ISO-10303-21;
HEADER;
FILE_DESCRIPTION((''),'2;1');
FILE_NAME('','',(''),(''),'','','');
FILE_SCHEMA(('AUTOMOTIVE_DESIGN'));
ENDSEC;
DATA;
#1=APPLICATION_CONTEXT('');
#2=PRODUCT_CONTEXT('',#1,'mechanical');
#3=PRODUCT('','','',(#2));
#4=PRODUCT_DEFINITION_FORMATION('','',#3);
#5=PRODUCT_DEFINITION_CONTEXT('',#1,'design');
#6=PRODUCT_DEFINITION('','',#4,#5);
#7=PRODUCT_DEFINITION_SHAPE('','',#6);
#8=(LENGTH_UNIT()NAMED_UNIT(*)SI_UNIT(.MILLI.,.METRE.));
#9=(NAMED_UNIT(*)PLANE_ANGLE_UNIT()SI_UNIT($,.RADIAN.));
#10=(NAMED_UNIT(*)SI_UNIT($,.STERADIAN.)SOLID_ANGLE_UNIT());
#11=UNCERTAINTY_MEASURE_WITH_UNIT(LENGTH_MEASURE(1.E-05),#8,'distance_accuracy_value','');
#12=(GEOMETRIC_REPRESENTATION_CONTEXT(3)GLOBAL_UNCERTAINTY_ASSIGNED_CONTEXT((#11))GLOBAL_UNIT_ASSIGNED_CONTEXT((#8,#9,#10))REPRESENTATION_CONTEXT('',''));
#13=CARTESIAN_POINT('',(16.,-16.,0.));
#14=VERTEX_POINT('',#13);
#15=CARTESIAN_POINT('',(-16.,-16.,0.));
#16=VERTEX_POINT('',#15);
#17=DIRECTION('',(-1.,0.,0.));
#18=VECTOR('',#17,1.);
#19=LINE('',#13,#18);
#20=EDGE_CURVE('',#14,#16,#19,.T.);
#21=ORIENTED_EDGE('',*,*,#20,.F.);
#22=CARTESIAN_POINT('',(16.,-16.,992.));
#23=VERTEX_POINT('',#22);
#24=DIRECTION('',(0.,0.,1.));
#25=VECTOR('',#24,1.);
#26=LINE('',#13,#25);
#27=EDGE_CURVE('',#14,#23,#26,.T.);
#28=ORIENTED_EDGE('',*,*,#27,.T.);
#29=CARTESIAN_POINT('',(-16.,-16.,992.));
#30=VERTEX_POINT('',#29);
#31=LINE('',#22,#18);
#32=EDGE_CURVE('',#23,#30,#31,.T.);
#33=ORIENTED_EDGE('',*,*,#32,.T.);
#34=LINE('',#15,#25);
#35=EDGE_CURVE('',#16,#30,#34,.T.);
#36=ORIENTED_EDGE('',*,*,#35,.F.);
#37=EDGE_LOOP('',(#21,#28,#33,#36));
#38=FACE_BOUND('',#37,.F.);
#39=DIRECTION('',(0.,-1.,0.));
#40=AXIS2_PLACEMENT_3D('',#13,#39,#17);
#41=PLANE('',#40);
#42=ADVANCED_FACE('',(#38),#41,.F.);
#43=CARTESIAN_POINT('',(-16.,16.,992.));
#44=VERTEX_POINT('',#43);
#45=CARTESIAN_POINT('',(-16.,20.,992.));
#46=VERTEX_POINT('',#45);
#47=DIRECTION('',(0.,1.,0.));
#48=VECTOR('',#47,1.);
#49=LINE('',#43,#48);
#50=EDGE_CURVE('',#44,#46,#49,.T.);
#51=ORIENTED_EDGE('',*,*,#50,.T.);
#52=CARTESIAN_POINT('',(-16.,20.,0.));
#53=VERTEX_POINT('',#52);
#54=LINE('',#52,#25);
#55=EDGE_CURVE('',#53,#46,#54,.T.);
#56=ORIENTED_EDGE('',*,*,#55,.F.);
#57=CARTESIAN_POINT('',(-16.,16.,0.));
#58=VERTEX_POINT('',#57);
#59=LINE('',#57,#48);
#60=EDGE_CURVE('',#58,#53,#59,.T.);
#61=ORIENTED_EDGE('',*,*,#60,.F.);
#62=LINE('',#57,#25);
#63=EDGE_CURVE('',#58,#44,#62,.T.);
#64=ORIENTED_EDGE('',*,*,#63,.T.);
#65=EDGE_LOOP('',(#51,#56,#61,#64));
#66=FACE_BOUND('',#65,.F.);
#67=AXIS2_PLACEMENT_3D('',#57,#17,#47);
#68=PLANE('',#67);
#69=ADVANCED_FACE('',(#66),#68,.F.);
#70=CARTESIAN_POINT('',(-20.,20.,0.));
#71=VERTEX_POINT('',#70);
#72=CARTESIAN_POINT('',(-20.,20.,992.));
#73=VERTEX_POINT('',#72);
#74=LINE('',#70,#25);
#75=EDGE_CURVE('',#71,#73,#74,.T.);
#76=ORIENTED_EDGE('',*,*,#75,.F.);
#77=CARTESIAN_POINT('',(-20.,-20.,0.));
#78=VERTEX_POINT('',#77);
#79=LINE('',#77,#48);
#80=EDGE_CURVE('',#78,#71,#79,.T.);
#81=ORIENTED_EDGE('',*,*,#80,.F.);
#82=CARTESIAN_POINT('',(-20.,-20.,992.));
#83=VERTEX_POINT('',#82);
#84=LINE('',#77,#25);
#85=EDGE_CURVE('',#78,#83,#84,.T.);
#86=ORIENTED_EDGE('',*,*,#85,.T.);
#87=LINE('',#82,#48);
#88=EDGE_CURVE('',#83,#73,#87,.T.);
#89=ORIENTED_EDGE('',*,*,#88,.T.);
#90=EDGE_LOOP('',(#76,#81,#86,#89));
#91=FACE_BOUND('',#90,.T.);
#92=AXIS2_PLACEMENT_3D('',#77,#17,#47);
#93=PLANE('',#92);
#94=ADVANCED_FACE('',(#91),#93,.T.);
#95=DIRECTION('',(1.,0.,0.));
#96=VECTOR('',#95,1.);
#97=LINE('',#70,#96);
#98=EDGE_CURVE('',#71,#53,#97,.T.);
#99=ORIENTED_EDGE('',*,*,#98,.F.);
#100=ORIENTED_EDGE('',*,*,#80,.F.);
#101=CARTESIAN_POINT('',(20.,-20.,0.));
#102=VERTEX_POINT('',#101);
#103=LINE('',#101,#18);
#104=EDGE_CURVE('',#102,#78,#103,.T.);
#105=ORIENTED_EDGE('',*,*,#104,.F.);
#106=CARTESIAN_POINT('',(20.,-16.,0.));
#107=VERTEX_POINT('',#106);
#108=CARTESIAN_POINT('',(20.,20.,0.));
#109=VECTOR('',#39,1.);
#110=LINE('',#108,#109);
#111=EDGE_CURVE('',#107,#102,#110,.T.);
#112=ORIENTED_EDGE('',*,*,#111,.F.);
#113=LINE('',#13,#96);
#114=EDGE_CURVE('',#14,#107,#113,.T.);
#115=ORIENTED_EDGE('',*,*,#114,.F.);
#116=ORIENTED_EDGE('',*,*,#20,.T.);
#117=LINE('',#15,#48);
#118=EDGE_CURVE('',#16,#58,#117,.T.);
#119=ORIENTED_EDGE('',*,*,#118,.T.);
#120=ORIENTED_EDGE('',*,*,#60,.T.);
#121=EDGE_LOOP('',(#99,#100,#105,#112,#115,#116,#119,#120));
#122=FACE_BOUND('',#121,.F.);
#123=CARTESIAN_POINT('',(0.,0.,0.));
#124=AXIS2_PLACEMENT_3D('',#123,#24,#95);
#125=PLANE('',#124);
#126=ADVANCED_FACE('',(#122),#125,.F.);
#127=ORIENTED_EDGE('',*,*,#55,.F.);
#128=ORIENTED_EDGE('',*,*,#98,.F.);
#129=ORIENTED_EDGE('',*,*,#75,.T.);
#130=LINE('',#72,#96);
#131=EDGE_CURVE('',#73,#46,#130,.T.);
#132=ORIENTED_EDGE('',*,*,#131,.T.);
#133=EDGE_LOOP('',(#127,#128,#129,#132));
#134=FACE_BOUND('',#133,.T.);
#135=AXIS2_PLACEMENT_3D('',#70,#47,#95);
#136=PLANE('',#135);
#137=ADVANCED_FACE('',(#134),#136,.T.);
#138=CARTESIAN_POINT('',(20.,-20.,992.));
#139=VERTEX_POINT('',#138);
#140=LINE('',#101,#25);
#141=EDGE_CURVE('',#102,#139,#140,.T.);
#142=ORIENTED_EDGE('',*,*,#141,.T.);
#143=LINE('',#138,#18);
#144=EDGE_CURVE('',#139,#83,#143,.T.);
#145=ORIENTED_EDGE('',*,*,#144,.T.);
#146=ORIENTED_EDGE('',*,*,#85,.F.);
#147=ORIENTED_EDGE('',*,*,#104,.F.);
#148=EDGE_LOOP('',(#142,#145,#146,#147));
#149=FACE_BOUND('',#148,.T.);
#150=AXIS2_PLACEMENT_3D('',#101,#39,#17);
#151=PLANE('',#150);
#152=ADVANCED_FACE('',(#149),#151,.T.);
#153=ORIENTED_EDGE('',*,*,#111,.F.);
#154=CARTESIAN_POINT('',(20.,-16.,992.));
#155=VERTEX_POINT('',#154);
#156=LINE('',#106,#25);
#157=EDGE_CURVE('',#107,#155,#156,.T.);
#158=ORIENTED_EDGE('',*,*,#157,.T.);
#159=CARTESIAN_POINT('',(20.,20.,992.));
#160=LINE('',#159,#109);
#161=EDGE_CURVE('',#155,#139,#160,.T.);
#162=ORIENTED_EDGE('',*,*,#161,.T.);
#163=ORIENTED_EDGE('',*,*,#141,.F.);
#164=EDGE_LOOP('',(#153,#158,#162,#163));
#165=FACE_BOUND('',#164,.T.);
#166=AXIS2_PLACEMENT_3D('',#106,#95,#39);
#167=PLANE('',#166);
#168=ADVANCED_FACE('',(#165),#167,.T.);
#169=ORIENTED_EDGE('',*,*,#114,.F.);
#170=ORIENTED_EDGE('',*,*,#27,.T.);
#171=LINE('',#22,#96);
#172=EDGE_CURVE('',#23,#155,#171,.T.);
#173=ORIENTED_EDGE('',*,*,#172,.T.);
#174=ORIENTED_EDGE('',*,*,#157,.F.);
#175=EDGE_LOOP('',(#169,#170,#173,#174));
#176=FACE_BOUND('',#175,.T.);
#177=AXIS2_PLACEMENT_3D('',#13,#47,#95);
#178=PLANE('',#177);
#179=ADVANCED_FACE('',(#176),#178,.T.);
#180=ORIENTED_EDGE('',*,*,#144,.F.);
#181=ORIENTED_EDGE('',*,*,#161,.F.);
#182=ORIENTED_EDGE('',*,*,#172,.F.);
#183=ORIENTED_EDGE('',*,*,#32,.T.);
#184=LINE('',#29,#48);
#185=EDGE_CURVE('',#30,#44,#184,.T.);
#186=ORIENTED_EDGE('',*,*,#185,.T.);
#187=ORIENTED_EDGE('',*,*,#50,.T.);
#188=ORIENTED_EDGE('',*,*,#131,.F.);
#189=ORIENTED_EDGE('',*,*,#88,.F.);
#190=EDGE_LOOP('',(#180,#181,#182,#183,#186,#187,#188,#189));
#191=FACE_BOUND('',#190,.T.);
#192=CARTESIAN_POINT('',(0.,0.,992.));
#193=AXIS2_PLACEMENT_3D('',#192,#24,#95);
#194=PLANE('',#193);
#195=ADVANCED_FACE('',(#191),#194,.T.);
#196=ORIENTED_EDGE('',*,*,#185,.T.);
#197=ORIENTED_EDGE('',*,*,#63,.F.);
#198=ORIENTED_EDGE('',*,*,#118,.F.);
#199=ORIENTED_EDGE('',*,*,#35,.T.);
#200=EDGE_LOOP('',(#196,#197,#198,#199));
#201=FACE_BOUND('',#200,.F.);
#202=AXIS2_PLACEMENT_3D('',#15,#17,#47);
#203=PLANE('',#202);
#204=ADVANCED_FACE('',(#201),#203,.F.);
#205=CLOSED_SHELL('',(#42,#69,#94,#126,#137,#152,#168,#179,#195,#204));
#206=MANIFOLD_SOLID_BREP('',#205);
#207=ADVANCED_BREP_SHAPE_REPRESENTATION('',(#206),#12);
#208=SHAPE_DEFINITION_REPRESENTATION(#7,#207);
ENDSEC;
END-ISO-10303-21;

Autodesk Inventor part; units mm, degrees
ref_plane "YZ Plane" through (0, 0, 0) normal (1, 0, 0) x (0, 1, 0)
ref_plane "XZ Plane" through (0, 0, 0) normal (0, 1, 0) x (-1, 0, 0)
ref_plane "XY Plane" through (0, 0, 0) normal (0, 0, 1) x (1, 0, 0)
sketch "Boceto1" plane through (0, 0, 0) normal (0, 0, 1) x (1, 0, 0)
  line L0 (-20, 20) -> (20, 20)
  line L1 (20, 20) -> (20, -20)
  line L2 (20, -20) -> (-20, -20)
  line L3 (-20, -20) -> (-20, 20)
  line L4 (-20, 20) -> (20, -20) construction
  line L5 (-16, 16) -> (16, 16)
  line L6 (16, 16) -> (16, -16)
  line L7 (16, -16) -> (-16, -16)
  line L8 (-16, -16) -> (-16, 16)
  line L9 (-16, 0) -> (-20, 0) construction
  line L10 (0, 16) -> (0, 20) construction
  line L11 (16, 0) -> (20, 0) construction
  line L12 (0, -16) -> (0, -20) construction
  line L13 (-16, 16) -> (-16, 20)
  line L14 (16, -16) -> (20, -16)
  point P0 (0, 0)
  point P1 (0, 0)
  dimension "d0" = 40
  dimension "d1" = 4
  dimension "d4" = 40
extrude "Extrusión1" add sketch "Boceto1" along normal blind 992 contours L0 L13 L8 L7 L14 L1 L2 L3
properties part number "C_358_40_2"
